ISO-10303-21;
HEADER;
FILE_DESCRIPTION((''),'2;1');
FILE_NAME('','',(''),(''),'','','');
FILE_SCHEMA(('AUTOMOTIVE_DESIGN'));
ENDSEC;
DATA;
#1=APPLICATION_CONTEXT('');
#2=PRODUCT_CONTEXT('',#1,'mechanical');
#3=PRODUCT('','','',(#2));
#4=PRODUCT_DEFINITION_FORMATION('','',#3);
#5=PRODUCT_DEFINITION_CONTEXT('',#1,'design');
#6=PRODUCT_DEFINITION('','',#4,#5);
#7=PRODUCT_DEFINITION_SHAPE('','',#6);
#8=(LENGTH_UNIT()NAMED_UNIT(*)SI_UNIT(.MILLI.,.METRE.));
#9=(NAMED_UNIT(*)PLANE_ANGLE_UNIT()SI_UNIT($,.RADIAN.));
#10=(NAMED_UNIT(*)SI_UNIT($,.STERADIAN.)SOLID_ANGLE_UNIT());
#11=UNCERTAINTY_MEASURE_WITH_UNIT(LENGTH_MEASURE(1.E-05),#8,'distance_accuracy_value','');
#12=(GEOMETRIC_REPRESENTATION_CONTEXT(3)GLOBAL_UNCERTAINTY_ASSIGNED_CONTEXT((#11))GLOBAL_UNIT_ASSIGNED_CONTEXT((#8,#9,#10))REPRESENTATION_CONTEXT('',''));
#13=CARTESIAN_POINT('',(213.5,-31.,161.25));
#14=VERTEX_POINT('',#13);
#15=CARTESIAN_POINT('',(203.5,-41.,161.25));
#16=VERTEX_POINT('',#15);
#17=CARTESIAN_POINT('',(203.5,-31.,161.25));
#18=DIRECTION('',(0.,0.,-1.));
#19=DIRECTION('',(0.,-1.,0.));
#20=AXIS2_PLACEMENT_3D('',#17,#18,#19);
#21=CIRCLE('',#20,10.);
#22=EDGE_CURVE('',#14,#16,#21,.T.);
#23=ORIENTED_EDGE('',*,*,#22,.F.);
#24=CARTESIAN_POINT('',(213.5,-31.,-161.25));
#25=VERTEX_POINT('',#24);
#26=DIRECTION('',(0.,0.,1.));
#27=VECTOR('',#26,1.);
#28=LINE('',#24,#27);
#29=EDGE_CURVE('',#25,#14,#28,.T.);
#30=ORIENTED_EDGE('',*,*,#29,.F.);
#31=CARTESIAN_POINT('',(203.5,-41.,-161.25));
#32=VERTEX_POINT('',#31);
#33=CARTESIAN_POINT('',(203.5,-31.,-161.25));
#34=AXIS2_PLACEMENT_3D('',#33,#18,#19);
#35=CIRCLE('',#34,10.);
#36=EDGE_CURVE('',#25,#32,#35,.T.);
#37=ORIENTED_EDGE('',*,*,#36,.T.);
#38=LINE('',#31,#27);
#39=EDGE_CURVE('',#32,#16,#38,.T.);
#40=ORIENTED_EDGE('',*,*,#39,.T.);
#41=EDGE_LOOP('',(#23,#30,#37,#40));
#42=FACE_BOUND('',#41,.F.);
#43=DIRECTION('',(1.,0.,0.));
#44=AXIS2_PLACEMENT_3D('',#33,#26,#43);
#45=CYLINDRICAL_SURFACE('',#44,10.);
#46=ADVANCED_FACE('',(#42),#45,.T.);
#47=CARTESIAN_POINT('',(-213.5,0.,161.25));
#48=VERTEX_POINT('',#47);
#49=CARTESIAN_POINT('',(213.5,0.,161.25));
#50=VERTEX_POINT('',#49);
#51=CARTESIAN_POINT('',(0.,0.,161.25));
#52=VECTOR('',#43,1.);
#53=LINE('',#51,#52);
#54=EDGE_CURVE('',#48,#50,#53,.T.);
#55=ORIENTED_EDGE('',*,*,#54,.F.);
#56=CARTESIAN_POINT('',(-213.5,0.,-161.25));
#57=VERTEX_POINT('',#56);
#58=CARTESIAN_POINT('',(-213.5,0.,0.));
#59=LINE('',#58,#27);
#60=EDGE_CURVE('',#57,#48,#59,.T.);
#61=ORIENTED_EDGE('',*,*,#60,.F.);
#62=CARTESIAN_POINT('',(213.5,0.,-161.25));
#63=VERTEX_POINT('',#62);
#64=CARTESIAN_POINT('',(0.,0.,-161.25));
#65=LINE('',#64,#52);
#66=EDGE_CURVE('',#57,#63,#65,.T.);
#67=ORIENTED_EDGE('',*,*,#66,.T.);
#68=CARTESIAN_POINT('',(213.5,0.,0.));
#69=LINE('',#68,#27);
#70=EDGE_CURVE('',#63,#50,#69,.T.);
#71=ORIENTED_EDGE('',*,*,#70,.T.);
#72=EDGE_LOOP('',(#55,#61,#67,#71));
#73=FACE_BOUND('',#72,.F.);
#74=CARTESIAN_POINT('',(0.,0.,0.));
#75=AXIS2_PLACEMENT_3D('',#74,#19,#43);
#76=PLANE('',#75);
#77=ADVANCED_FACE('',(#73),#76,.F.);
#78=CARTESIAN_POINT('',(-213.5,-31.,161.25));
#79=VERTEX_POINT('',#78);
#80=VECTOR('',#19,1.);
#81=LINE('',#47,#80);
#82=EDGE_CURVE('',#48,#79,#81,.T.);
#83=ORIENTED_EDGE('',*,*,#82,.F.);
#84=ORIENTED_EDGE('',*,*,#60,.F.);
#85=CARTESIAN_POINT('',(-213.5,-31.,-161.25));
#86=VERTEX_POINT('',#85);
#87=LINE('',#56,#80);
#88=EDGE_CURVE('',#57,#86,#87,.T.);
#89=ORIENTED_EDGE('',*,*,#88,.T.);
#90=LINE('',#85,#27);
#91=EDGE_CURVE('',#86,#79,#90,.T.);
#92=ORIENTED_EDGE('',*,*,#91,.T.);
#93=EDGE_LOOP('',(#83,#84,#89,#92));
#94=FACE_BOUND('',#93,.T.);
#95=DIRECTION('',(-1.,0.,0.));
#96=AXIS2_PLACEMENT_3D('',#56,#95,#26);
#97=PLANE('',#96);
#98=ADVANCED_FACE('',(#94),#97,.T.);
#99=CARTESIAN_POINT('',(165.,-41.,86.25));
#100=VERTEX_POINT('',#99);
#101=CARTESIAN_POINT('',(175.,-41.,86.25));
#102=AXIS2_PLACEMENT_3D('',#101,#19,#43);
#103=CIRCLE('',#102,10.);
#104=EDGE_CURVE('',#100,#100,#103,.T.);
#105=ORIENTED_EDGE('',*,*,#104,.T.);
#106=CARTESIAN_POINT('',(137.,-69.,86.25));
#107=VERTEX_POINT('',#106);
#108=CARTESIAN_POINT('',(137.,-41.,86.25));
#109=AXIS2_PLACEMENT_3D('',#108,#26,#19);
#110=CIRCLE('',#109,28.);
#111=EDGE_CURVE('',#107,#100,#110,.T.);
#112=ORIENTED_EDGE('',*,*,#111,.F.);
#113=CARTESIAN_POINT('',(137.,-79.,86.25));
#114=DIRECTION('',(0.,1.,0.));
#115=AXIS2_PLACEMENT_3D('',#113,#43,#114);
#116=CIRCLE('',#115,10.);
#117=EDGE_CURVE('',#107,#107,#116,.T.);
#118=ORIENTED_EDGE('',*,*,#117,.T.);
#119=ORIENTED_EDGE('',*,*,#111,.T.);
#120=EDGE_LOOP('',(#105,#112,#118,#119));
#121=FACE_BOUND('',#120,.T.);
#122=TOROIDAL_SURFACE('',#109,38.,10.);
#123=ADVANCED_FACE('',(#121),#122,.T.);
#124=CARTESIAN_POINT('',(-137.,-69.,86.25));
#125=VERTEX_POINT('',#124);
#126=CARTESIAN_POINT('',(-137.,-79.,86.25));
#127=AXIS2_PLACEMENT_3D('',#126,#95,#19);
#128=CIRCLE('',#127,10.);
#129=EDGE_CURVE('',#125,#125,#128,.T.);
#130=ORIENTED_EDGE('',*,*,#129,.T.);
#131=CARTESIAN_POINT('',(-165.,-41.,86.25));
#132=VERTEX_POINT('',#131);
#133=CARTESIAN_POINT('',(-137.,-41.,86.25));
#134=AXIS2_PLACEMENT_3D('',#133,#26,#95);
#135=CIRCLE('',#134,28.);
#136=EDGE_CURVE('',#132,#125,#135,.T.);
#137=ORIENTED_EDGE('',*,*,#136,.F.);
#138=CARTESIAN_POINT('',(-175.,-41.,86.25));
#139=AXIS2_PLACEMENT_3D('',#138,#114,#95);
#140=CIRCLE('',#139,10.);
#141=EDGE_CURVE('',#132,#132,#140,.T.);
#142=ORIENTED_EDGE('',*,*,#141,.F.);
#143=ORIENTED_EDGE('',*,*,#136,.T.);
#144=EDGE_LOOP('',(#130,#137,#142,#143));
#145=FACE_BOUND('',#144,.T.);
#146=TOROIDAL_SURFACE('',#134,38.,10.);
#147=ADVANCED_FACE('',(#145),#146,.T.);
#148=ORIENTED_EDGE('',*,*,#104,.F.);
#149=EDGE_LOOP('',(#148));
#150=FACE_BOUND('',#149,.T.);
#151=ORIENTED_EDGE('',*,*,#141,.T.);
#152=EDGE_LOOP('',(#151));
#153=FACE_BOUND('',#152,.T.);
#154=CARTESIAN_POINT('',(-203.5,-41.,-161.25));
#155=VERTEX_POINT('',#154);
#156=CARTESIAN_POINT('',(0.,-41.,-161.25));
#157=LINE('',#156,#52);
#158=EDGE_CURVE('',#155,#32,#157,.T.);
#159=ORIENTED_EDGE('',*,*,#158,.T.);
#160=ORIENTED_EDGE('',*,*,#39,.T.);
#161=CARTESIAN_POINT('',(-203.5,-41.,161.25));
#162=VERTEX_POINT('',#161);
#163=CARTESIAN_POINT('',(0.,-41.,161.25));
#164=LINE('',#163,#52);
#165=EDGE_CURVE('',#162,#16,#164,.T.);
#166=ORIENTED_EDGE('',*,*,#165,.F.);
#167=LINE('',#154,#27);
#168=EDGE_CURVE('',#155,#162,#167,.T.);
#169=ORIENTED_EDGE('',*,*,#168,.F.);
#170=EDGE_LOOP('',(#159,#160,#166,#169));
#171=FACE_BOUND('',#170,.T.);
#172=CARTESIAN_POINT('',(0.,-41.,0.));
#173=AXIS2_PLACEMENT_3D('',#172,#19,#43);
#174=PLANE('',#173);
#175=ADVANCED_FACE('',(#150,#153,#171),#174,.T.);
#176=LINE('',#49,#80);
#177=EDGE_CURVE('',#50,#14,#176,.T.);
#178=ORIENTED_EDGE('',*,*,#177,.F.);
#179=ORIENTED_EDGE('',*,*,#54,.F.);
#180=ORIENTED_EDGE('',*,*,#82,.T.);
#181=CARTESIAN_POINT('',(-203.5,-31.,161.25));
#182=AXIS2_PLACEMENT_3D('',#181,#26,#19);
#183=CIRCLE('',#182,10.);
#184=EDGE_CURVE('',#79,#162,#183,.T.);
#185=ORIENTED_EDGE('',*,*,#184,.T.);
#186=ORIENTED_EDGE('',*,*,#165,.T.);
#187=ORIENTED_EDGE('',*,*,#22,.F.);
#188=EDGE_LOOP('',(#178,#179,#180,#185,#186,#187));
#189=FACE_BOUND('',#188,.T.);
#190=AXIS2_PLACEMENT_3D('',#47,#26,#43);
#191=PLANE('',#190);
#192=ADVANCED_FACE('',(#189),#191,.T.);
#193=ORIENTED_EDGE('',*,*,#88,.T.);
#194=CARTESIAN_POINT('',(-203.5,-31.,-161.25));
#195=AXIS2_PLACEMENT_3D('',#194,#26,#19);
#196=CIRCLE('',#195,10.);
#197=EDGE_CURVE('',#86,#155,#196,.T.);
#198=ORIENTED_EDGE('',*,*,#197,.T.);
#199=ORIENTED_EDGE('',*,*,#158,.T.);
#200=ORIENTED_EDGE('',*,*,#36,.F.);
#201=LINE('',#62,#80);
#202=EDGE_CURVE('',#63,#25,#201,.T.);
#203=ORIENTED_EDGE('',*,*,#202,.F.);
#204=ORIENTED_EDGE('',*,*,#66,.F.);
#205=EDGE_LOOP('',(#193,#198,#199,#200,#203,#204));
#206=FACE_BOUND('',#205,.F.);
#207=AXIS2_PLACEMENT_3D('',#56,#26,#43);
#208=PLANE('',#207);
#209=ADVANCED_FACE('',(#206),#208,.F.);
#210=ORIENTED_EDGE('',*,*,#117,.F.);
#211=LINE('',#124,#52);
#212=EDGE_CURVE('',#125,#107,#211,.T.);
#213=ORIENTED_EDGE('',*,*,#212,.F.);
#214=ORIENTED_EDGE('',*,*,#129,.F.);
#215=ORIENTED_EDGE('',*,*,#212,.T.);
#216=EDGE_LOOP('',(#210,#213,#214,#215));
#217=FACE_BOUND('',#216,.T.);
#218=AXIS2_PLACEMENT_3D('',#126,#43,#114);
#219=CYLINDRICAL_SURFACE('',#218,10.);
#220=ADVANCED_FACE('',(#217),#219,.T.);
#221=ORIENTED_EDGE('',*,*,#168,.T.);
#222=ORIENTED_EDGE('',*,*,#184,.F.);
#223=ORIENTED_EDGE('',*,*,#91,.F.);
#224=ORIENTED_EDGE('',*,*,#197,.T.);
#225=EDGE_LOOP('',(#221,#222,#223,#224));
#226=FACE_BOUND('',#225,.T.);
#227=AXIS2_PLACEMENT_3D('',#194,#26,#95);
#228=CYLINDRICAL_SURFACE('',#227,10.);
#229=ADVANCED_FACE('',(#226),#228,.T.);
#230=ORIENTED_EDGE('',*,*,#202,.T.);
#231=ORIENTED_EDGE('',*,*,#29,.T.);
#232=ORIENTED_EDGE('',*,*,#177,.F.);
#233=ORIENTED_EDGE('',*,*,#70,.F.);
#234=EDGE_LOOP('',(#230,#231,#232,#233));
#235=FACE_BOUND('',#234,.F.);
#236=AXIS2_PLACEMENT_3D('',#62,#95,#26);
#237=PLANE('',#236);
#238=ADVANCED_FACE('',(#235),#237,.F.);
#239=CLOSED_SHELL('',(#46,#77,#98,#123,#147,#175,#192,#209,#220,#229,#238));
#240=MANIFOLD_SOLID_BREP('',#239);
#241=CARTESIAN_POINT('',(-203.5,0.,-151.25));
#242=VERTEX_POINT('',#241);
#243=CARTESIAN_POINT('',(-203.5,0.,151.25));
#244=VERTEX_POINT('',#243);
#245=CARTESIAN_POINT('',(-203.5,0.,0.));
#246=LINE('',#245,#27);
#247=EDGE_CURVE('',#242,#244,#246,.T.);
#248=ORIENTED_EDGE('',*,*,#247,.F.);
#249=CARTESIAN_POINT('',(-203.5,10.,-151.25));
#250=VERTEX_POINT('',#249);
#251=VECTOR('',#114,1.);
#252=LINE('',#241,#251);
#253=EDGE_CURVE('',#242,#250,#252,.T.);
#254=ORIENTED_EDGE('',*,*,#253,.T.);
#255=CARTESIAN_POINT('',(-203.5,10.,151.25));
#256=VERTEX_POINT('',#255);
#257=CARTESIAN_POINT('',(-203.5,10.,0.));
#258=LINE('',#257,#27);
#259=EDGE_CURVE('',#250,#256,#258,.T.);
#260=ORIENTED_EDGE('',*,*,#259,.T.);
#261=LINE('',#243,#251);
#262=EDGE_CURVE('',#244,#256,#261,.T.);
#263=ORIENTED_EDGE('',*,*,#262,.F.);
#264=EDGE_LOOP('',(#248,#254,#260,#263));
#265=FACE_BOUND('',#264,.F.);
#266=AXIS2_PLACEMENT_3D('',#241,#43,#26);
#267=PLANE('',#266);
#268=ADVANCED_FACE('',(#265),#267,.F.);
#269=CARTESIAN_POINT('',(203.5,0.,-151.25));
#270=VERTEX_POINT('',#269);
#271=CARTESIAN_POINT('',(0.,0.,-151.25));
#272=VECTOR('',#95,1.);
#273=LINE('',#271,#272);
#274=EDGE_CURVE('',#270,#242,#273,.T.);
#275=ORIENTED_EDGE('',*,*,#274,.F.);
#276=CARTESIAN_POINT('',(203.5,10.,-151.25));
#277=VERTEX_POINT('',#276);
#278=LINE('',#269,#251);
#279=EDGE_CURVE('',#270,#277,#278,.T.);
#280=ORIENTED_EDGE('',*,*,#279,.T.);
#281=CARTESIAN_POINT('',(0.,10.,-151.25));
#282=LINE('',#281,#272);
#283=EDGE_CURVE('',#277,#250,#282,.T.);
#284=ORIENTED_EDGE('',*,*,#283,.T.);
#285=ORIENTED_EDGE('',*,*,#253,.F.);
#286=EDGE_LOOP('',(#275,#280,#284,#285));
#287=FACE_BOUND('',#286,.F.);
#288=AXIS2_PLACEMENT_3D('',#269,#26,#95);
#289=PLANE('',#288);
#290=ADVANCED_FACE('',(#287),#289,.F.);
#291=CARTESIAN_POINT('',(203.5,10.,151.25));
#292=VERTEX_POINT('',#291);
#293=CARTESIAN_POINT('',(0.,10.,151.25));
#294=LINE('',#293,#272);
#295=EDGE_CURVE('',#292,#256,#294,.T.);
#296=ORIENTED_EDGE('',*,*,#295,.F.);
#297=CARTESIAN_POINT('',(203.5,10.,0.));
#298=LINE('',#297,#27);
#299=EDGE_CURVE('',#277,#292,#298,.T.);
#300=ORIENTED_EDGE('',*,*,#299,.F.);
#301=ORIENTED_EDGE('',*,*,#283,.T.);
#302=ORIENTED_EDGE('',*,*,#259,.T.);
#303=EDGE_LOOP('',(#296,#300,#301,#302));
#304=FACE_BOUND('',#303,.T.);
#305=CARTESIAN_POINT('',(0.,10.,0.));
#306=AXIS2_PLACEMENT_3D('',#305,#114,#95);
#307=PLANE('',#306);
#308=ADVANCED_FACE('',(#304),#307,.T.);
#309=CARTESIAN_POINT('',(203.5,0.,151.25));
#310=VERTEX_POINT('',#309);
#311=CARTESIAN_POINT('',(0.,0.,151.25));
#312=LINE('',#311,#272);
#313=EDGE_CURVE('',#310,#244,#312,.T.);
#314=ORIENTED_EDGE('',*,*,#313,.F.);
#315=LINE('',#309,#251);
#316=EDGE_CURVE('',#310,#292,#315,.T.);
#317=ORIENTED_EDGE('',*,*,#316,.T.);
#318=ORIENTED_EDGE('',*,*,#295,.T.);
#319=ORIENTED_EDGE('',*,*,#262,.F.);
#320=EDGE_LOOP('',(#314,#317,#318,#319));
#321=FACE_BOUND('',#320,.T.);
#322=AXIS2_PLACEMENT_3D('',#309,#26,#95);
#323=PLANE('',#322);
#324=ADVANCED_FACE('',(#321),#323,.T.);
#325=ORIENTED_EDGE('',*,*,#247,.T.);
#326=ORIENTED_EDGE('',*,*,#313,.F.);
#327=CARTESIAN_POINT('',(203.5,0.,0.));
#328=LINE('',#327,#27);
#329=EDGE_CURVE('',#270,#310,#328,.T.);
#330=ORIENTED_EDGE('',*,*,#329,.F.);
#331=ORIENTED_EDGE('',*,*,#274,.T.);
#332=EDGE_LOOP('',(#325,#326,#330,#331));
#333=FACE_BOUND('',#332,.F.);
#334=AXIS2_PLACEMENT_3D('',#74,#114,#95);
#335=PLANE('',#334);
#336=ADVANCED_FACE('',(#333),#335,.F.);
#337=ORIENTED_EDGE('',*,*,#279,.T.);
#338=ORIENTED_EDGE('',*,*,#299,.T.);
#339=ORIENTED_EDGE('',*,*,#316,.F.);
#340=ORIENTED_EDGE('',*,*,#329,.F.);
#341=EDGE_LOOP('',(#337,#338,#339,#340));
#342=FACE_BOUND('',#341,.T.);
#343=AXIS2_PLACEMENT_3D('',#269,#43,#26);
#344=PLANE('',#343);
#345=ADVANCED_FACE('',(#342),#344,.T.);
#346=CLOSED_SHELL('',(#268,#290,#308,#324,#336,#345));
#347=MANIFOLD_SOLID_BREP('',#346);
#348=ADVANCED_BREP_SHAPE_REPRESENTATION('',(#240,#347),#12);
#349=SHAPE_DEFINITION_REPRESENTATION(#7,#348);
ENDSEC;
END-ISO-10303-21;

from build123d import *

# Parameters (mm, degrees)
F0_W     = 427
F0_H     = 322.5
F1_DEPTH = 41
F2_R     = 10
F3_W     = 407
F3_H     = 302.5
F4_DEPTH = 10
F5_R     = 10


with BuildPart() as f1:
    # F0 (on Front) → F1 (new body)
    with BuildSketch(Plane.XZ):
        Rectangle(F0_W, F0_H)
    extrude(amount=F1_DEPTH)

    # F2
    f2_edges = [f1.edges().sort_by_distance(p)[0] for p in [
        (-213.5, -41, 0),
        (213.5, -41, 0),
    ]]
    fillet(f2_edges, radius=F2_R)

    # F8: sweep along a path in F7
    with BuildLine(Plane.XY.offset(86.25)) as f8_path:
        ThreePointArc((-175, -41), (-163.8700576851, -67.8700576851), (-137, -79))
        Line((-137, -79), (137, -79))
        ThreePointArc((137, -79), (163.8700576851, -67.8700576851), (175, -41))
    # F5 (on face) → F8 (sweep)
    with BuildSketch(Plane.XZ.offset(41)):
        with Locations((-175, 86.25)):
            Circle(F5_R)
    sweep(path=f8_path.line)


with BuildPart() as f4:
    # F3 (on face) → F4 (new body)
    with BuildSketch(Plane(origin=(0, 0, 0), x_dir=(-1, 0, 0), z_dir=(0, 1, 0))):
        Rectangle(F3_W, F3_H)
    extrude(amount=F4_DEPTH)


solid = Compound([f1.part, f4.part])
